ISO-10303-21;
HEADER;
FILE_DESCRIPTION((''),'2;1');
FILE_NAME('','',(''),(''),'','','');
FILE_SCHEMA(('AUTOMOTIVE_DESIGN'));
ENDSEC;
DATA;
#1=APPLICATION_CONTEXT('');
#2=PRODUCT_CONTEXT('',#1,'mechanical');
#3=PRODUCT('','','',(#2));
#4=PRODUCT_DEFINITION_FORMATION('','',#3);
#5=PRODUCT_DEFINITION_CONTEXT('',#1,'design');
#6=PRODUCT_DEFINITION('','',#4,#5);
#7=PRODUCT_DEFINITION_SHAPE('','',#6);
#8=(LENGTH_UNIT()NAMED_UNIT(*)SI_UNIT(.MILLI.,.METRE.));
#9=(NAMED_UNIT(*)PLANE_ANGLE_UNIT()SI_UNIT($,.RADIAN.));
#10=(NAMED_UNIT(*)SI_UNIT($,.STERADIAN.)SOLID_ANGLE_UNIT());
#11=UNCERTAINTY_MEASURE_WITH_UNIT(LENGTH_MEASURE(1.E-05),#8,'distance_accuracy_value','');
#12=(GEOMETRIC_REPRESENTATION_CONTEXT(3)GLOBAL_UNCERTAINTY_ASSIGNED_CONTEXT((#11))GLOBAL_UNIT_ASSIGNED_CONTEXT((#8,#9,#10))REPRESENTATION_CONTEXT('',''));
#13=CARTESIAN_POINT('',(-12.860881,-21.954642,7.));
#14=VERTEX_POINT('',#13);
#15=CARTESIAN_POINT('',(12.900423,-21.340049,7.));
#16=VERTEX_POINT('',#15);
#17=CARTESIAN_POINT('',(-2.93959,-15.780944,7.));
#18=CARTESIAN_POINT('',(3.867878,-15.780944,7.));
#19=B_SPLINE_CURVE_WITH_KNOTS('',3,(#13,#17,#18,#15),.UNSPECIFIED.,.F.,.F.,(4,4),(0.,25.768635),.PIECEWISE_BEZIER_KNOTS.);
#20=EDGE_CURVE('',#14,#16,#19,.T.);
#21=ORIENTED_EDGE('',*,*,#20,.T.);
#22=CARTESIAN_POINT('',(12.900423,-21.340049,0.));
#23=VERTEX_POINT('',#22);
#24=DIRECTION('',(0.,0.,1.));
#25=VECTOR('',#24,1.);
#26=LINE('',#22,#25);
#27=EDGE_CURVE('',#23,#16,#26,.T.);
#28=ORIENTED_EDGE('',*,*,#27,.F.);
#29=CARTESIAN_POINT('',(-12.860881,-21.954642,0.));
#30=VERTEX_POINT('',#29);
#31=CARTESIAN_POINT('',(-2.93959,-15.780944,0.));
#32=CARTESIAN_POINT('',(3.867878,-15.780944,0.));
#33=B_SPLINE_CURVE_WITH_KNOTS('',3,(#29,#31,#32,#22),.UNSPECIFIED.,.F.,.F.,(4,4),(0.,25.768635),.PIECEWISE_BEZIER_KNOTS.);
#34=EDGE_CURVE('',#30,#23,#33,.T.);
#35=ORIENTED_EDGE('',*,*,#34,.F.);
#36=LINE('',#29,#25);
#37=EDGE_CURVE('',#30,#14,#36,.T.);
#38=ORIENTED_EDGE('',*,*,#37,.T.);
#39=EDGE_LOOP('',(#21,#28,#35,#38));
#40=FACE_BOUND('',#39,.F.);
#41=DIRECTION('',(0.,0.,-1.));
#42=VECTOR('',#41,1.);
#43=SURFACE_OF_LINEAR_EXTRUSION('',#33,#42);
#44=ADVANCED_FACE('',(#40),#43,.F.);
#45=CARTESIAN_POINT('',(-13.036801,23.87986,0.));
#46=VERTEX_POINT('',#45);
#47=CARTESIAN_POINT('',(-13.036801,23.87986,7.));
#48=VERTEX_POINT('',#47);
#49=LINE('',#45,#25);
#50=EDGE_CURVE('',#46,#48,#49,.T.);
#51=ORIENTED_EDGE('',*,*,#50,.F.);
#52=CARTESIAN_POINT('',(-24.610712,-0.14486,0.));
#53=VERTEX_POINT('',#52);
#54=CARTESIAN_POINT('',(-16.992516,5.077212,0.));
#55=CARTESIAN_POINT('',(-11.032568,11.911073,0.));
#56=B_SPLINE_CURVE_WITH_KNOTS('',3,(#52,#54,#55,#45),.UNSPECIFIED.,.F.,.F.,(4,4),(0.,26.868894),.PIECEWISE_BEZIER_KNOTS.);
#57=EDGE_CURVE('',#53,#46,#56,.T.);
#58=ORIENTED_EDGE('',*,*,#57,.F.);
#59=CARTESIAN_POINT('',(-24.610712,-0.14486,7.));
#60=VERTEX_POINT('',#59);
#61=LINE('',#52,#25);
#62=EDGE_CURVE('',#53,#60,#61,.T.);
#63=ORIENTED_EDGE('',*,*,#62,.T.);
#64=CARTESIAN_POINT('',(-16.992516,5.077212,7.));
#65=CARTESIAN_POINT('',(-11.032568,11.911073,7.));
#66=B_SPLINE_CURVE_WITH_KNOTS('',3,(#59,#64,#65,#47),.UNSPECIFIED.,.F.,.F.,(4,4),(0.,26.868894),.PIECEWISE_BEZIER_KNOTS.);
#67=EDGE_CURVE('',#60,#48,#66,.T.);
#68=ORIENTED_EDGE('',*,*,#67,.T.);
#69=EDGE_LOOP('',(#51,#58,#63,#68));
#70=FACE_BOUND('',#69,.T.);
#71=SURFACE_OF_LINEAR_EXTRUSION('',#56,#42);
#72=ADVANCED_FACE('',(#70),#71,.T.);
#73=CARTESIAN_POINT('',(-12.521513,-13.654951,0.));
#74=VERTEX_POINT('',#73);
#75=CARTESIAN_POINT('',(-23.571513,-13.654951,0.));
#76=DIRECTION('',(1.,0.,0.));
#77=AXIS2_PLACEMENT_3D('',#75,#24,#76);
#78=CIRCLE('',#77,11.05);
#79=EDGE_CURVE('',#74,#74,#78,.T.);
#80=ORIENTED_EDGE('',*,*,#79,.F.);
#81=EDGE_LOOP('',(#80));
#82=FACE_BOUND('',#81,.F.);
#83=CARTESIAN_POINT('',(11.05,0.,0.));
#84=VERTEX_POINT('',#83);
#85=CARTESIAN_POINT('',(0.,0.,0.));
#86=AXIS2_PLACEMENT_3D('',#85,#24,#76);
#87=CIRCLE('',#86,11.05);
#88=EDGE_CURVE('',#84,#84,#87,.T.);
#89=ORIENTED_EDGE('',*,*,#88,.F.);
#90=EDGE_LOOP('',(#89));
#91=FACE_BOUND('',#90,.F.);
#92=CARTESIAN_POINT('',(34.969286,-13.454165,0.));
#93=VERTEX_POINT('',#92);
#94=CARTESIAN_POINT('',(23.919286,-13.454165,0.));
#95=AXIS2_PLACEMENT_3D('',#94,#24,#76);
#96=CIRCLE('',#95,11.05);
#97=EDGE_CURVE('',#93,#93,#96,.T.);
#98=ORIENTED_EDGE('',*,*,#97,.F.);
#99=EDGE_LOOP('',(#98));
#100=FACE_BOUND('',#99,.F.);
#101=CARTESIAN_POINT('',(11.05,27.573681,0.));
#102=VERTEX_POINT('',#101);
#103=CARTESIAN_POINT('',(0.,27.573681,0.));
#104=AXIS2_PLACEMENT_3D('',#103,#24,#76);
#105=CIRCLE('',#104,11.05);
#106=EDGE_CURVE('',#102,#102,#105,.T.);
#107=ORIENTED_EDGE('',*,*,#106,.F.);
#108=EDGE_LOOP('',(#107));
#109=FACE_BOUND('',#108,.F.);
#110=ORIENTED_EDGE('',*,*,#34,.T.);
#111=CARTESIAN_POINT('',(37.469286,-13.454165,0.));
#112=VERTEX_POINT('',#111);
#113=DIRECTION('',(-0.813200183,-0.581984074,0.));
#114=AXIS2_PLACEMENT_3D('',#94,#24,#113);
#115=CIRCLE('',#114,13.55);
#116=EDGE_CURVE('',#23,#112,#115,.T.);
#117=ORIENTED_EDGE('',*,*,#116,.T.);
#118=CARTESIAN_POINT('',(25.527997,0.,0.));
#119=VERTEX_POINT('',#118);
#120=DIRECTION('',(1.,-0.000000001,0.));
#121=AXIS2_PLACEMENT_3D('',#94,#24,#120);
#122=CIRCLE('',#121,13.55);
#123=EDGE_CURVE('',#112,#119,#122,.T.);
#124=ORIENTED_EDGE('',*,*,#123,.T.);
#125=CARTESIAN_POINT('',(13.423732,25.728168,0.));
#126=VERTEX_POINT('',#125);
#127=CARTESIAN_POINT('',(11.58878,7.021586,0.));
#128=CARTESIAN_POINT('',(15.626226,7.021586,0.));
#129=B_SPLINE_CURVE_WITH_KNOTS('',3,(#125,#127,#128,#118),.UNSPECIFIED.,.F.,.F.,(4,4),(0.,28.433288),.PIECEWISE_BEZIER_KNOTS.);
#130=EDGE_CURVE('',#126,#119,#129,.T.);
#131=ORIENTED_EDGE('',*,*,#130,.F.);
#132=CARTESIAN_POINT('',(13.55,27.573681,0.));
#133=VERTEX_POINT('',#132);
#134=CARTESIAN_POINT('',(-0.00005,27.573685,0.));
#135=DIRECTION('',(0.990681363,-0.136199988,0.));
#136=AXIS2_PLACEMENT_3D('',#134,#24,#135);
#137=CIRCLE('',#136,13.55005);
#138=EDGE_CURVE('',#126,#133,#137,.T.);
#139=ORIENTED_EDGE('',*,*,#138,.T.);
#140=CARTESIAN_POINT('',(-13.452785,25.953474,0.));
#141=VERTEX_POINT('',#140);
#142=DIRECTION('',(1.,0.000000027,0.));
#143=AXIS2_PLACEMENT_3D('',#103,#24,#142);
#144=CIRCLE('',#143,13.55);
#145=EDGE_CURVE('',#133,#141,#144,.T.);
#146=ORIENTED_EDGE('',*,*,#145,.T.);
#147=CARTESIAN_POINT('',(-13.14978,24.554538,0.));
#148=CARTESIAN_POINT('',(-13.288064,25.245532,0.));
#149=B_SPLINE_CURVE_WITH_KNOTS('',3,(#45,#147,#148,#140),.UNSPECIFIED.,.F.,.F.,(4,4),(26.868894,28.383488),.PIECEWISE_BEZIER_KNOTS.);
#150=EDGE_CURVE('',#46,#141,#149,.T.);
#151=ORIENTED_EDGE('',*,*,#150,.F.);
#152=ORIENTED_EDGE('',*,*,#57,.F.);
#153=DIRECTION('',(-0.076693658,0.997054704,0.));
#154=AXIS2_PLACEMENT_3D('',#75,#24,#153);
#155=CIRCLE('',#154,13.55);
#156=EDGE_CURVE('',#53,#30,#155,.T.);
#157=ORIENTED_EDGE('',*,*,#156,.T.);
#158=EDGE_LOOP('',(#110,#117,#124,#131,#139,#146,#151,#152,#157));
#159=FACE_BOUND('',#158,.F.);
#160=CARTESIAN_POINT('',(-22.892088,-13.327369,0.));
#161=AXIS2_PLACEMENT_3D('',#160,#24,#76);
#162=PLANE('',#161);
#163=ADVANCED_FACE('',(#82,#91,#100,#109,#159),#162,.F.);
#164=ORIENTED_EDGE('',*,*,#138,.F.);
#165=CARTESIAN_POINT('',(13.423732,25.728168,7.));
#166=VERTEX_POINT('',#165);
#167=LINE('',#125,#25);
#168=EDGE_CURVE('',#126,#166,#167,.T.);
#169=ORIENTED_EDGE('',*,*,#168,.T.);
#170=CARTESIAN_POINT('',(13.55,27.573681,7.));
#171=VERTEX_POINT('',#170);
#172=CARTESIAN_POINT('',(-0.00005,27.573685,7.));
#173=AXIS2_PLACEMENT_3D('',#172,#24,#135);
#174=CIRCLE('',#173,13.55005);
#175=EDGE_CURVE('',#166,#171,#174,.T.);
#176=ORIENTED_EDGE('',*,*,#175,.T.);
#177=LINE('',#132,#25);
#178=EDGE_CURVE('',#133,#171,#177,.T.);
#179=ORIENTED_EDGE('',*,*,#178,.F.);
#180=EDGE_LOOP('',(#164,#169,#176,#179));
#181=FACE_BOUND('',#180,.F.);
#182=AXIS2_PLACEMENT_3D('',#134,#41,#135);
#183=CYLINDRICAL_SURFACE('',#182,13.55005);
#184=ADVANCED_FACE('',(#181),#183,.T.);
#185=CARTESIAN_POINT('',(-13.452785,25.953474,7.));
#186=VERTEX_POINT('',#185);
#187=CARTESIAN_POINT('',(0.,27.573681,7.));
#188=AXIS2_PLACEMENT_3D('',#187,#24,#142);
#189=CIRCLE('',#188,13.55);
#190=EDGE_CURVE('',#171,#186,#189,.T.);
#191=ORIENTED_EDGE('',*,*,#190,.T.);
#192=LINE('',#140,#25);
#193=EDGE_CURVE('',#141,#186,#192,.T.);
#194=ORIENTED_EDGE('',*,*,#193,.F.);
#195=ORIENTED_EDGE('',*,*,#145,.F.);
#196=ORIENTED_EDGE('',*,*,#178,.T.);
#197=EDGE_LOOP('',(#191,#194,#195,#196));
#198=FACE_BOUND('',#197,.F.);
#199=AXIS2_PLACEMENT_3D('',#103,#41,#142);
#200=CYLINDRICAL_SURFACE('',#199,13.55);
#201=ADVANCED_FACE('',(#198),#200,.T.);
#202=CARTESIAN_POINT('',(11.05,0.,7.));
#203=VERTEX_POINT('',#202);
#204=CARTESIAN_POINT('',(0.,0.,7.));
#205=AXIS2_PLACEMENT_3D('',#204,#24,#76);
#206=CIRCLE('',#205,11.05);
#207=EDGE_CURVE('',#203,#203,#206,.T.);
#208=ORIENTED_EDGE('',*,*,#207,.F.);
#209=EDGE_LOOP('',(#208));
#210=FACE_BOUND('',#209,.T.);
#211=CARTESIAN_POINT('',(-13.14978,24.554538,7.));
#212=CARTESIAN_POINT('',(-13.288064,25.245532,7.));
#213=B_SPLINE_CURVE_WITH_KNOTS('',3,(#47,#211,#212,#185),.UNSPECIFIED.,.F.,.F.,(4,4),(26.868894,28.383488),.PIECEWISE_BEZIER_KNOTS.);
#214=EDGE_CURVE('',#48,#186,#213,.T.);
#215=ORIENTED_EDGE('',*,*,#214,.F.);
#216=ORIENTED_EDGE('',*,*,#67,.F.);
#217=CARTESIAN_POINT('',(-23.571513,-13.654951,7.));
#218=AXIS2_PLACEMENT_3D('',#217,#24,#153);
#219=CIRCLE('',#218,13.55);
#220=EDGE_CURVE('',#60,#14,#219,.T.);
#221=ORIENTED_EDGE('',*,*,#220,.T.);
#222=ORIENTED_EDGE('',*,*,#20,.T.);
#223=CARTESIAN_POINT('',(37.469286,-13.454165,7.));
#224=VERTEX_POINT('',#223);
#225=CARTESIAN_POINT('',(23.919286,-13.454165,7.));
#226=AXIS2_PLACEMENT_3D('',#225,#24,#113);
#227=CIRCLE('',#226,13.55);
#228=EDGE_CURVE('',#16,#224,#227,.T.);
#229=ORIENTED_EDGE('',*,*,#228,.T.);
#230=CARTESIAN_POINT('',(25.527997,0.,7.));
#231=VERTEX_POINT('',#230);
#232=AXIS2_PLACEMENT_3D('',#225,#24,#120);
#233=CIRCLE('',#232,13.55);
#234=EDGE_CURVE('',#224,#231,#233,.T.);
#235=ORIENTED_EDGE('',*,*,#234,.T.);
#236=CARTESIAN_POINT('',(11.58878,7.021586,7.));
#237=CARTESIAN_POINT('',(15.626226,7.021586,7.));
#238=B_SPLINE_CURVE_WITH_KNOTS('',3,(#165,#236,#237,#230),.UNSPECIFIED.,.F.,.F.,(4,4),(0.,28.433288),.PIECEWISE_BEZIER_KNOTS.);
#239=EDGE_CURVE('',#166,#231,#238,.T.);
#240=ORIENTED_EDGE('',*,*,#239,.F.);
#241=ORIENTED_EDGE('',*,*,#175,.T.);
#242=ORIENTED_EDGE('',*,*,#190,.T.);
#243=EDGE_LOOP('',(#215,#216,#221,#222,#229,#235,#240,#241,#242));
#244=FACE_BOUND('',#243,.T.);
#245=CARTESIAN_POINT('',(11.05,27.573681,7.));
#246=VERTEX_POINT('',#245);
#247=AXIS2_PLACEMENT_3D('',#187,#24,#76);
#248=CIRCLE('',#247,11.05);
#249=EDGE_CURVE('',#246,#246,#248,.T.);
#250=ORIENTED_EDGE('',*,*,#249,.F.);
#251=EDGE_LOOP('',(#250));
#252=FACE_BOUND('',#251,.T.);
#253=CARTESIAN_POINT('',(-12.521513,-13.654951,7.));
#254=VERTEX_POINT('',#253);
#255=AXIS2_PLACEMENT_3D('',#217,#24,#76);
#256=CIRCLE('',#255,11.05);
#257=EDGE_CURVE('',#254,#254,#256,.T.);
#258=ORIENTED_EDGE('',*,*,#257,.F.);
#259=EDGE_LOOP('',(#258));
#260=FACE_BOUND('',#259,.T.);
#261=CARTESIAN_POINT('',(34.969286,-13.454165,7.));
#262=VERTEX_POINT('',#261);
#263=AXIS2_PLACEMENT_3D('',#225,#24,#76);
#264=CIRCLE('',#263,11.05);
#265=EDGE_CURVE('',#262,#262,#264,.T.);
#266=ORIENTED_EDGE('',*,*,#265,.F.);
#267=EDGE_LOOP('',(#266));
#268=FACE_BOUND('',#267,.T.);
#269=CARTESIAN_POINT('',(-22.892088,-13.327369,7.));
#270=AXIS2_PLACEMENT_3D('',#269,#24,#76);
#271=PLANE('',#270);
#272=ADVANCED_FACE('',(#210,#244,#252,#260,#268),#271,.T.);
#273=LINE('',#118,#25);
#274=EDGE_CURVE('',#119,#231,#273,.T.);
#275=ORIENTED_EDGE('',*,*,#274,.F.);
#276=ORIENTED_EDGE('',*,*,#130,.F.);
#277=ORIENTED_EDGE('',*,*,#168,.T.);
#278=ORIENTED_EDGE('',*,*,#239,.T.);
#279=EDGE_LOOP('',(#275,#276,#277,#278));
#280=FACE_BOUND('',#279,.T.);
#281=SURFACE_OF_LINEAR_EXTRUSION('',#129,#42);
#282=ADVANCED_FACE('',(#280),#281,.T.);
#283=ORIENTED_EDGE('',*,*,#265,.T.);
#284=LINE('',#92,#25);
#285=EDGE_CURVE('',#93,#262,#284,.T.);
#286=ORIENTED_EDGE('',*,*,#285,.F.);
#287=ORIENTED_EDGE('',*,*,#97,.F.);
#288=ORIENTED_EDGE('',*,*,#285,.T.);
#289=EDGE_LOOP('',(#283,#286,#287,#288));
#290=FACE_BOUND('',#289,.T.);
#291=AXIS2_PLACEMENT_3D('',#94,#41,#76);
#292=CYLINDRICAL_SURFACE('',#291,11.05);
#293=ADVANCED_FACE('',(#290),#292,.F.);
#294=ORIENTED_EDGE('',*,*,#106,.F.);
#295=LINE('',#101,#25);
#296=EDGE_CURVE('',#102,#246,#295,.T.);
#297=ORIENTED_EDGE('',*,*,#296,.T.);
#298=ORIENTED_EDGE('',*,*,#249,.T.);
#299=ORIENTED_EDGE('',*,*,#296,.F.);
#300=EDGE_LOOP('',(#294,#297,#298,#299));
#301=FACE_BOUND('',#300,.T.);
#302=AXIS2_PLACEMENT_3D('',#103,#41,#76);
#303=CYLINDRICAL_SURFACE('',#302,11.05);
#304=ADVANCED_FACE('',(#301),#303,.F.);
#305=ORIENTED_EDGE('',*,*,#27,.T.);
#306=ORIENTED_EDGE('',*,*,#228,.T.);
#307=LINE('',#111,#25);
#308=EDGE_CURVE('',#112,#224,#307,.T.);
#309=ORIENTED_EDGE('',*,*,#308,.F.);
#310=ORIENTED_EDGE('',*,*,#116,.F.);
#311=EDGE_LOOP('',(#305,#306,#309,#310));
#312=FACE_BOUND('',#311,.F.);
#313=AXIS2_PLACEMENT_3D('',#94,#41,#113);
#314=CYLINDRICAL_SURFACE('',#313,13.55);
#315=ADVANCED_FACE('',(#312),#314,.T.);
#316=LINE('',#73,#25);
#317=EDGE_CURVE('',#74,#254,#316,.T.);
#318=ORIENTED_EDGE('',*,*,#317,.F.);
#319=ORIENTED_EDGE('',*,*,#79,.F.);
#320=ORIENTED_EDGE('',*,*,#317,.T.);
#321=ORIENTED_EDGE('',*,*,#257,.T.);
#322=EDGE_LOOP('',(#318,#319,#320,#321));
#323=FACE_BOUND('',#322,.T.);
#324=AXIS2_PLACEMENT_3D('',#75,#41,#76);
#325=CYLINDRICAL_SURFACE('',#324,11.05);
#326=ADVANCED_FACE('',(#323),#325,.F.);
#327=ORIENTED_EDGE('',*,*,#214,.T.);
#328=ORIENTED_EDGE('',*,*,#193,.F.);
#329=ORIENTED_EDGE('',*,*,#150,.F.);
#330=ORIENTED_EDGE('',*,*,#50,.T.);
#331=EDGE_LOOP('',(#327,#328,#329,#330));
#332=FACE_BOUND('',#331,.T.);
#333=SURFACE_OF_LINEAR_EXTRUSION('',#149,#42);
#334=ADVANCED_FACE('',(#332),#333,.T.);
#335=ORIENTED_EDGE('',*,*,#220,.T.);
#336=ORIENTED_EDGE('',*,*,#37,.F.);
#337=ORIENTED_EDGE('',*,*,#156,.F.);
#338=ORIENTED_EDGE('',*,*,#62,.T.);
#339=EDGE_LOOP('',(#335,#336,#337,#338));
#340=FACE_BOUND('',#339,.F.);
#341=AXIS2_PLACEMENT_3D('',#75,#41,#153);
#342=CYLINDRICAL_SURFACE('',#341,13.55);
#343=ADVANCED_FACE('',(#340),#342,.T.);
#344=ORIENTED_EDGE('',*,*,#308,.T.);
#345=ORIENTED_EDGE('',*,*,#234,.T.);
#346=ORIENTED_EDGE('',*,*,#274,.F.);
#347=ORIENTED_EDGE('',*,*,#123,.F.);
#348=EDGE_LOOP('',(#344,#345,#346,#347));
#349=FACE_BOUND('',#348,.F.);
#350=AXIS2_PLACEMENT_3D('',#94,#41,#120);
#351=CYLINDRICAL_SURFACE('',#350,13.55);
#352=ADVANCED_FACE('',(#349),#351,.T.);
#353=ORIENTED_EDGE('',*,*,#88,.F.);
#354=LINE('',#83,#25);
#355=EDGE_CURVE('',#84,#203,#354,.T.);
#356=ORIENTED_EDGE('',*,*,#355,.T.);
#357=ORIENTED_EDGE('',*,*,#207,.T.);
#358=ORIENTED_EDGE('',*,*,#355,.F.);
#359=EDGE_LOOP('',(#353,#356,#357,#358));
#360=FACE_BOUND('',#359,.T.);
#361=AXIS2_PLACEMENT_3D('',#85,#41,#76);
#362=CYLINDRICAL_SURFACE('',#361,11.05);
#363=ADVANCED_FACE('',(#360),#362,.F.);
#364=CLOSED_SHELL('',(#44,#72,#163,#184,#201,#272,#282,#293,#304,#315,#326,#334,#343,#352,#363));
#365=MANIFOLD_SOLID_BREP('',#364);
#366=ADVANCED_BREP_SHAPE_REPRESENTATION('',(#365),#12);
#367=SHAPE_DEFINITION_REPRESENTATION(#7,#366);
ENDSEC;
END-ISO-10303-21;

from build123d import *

# Parameters (mm, degrees)
F0_R     = 11.05
F0_R_2   = 13.55
F1_DEPTH = 7


with BuildPart() as f1:
    # F0 (on Top) → F1 (new body)
    with BuildSketch(Plane.XY):
        with BuildLine():
            ThreePointArc((-10.021513, -13.654951), (-14.364957, -3.713029), (-24.610712, -0.14486))
            ThreePointArc((-24.610712, -0.14486), (-35.500503, -20.081591), (-12.860881, -21.954642))
            ThreePointArc((-12.860881, -21.954642), (-10.750991, -18.04092), (-10.021513, -13.654951))
        make_face()
        with Locations((-23.571513, -13.654951)):
            Circle(F0_R, mode=Mode.SUBTRACT)
        with BuildLine():
            ThreePointArc((13.423732, 25.728168), (13.518396, 26.648767), (13.55, 27.573681))
            ThreePointArc((13.55, 27.573681), (-0.81156, 41.099355), (-13.452785, 25.953474))
            add(Edge.make_bspline(
                [(-13.036801, 23.87986), (-13.14978, 24.554538), (-13.288064, 25.245532), (-13.452785, 25.953474)],
                knots=[26.868894, 26.868894, 26.868894, 26.868894, 28.383488, 28.383488, 28.383488, 28.383488], degree=3))
            ThreePointArc((-13.036801, 23.87986), (0.944187, 14.056617), (13.423732, 25.728168))
        make_face()
        with Locations((0, 27.573681)):
            Circle(F0_R, mode=Mode.SUBTRACT)
        with BuildLine():
            ThreePointArc((37.469286, -13.454165), (34.0534, -4.459598), (25.527997, 0))
            ThreePointArc((25.527997, 0), (12.257933, -6.553778), (12.900423, -21.340049))
            ThreePointArc((12.900423, -21.340049), (28.060355, -26.355872), (37.469286, -13.454165))
        make_face()
        with Locations((23.919286, -13.454165)):
            Circle(F0_R, mode=Mode.SUBTRACT)
        with BuildLine():
            add(Edge.make_bspline(
                [(13.423732, 25.728168), (11.58878, 7.021586), (15.626226, 7.021586), (25.527997, 0)],
                knots=[0, 0, 0, 0, 28.433288, 28.433288, 28.433288, 28.433288], degree=3))
            ThreePointArc((13.423732, 25.728168), (0.944187, 14.056617), (-13.036801, 23.87986))
            add(Edge.make_bspline(
                [(-24.610712, -0.14486), (-16.992516, 5.077212), (-11.032568, 11.911073), (-13.036801, 23.87986)],
                knots=[0, 0, 0, 0, 26.868894, 26.868894, 26.868894, 26.868894], degree=3))
            ThreePointArc((-24.610712, -0.14486), (-14.364957, -3.713029), (-10.021513, -13.654951))
            ThreePointArc((-10.021513, -13.654951), (-10.750991, -18.04092), (-12.860881, -21.954642))
            add(Edge.make_bspline(
                [(-12.860881, -21.954642), (-2.93959, -15.780944), (3.867878, -15.780944), (12.900423, -21.340049)],
                knots=[0, 0, 0, 0, 25.768635, 25.768635, 25.768635, 25.768635], degree=3))
            ThreePointArc((12.900423, -21.340049), (12.257933, -6.553778), (25.527997, 0))
        make_face()
        Circle(F0_R_2, mode=Mode.SUBTRACT)
        Circle(F0_R_2)
        Circle(F0_R, mode=Mode.SUBTRACT)
    extrude(amount=F1_DEPTH)


solid = f1.part
